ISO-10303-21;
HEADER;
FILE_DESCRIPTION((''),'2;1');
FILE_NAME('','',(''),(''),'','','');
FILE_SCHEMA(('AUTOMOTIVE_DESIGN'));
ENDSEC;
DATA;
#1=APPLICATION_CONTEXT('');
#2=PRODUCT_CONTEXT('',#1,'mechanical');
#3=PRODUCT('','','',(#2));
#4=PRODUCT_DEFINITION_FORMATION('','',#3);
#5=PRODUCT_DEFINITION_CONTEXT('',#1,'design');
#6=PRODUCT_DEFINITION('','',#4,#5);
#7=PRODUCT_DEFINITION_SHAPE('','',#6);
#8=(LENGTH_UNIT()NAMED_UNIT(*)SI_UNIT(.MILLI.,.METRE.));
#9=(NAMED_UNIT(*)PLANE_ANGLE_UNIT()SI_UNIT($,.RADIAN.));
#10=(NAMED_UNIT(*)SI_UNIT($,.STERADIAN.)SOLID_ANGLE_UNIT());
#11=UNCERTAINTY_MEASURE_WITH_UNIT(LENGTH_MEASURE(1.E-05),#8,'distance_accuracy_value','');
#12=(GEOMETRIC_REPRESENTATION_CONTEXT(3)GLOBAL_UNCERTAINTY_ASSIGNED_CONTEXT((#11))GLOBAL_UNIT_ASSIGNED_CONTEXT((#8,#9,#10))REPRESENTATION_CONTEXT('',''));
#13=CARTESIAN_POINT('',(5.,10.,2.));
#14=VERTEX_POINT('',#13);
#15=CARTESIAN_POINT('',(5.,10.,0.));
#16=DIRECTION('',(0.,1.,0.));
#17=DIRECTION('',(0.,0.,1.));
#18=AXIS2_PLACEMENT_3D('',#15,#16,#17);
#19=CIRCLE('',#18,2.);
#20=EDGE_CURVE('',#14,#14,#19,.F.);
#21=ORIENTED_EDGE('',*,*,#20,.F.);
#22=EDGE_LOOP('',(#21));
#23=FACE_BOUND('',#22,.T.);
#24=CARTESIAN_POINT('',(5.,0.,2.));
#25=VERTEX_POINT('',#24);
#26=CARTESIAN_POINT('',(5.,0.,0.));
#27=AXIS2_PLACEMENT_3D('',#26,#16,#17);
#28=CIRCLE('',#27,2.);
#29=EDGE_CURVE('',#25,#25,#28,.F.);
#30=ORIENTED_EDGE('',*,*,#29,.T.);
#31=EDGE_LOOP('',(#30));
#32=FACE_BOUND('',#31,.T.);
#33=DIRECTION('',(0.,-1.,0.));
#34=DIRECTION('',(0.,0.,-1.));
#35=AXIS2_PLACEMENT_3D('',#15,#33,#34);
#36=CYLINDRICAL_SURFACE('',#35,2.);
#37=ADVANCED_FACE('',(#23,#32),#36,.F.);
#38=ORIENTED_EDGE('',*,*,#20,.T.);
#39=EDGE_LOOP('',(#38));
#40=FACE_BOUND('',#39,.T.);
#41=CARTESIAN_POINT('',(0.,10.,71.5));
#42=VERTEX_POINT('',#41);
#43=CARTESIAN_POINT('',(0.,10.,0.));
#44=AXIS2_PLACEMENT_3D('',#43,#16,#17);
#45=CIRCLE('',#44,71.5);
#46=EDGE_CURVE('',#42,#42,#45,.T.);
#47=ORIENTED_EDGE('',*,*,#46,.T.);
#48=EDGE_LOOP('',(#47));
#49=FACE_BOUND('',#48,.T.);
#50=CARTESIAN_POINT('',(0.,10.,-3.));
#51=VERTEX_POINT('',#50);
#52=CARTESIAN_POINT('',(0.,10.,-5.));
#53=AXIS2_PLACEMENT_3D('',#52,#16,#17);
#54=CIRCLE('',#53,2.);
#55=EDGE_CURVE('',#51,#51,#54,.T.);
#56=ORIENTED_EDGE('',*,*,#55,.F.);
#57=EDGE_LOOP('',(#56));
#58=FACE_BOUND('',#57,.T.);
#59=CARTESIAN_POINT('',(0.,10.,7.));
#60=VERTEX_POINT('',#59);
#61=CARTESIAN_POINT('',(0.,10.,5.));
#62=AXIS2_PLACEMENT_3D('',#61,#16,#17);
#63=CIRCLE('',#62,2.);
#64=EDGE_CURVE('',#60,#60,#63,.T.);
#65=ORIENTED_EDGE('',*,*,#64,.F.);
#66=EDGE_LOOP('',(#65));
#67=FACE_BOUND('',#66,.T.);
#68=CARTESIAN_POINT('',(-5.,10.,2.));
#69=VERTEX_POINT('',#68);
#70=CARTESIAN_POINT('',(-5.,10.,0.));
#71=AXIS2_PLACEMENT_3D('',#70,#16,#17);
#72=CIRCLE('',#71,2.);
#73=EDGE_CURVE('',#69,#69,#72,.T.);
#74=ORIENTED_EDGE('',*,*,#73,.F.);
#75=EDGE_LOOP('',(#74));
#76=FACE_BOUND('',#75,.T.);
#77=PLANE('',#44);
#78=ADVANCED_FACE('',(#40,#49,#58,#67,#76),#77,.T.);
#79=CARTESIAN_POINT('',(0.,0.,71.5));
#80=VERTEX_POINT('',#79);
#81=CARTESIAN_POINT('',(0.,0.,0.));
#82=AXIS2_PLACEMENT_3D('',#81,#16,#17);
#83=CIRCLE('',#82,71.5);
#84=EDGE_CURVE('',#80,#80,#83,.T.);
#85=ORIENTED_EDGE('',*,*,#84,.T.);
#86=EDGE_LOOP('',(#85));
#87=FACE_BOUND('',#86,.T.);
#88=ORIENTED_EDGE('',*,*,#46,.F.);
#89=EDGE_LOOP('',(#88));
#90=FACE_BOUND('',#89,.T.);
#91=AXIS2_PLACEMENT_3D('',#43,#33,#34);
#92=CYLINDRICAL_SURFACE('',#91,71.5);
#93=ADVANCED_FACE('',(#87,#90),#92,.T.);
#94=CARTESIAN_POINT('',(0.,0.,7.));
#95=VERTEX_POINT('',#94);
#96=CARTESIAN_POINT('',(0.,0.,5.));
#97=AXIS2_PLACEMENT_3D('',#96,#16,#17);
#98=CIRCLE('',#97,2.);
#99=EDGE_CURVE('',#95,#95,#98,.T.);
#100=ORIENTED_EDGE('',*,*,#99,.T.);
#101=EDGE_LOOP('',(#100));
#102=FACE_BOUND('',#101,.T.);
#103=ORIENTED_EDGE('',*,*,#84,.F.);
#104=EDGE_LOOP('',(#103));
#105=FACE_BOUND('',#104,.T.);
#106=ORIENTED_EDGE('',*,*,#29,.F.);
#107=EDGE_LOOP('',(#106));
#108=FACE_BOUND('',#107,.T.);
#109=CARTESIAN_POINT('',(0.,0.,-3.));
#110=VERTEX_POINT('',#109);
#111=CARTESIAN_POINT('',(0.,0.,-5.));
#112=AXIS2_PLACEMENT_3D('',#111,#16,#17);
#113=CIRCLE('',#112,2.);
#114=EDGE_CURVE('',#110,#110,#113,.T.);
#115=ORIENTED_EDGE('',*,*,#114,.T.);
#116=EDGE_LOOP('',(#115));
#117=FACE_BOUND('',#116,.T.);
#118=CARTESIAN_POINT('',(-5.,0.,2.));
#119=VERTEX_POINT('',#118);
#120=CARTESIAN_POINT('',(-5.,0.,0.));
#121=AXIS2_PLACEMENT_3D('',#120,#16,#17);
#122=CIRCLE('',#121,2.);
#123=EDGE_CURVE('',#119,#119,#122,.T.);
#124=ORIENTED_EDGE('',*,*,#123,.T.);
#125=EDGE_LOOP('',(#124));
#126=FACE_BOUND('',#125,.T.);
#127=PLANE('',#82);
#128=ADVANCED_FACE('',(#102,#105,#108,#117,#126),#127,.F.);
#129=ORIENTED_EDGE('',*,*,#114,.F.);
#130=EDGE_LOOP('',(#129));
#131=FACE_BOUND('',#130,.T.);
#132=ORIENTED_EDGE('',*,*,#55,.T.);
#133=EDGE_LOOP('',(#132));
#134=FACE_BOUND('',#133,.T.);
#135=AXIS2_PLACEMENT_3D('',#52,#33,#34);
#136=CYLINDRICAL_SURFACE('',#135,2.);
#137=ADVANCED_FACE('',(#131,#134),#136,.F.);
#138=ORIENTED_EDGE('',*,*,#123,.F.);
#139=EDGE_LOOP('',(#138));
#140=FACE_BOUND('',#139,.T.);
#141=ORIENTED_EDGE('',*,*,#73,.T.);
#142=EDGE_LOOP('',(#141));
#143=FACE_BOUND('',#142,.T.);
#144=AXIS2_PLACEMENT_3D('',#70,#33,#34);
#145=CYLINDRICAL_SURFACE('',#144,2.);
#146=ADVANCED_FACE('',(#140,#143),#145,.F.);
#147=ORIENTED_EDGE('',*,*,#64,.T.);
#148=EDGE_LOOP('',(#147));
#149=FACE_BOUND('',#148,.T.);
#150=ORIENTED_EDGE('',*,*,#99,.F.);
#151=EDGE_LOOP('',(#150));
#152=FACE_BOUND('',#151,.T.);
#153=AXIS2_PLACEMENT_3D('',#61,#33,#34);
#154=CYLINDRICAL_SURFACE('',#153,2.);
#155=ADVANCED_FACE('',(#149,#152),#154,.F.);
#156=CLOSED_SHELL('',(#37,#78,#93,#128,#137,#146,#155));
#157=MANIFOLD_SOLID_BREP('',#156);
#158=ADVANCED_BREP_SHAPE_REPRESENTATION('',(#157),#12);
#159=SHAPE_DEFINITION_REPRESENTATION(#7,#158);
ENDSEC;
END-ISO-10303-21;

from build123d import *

# Parameters (mm, degrees)
SKETCH_6_R      = 71.5
SKETCH_6_R_2    = 2
EXTRUDE_2_DEPTH = 10


with BuildPart() as part:
    # 草圖6 → 填料-伸長2 (new body)
    with BuildSketch(Plane(origin=(0, 0, 0), x_dir=(1, 0, 0), z_dir=(0, 1, 0))):
        Circle(SKETCH_6_R)
        with Locations((0, -5)):
            Circle(SKETCH_6_R_2, mode=Mode.SUBTRACT)
        with Locations((-5, 0)):
            Circle(SKETCH_6_R_2, mode=Mode.SUBTRACT)
        with Locations((5, 0)):
            Circle(SKETCH_6_R_2, mode=Mode.SUBTRACT)
        with Locations((0, 5)):
            Circle(SKETCH_6_R_2, mode=Mode.SUBTRACT)
    extrude(amount=EXTRUDE_2_DEPTH)


solid = part.part
